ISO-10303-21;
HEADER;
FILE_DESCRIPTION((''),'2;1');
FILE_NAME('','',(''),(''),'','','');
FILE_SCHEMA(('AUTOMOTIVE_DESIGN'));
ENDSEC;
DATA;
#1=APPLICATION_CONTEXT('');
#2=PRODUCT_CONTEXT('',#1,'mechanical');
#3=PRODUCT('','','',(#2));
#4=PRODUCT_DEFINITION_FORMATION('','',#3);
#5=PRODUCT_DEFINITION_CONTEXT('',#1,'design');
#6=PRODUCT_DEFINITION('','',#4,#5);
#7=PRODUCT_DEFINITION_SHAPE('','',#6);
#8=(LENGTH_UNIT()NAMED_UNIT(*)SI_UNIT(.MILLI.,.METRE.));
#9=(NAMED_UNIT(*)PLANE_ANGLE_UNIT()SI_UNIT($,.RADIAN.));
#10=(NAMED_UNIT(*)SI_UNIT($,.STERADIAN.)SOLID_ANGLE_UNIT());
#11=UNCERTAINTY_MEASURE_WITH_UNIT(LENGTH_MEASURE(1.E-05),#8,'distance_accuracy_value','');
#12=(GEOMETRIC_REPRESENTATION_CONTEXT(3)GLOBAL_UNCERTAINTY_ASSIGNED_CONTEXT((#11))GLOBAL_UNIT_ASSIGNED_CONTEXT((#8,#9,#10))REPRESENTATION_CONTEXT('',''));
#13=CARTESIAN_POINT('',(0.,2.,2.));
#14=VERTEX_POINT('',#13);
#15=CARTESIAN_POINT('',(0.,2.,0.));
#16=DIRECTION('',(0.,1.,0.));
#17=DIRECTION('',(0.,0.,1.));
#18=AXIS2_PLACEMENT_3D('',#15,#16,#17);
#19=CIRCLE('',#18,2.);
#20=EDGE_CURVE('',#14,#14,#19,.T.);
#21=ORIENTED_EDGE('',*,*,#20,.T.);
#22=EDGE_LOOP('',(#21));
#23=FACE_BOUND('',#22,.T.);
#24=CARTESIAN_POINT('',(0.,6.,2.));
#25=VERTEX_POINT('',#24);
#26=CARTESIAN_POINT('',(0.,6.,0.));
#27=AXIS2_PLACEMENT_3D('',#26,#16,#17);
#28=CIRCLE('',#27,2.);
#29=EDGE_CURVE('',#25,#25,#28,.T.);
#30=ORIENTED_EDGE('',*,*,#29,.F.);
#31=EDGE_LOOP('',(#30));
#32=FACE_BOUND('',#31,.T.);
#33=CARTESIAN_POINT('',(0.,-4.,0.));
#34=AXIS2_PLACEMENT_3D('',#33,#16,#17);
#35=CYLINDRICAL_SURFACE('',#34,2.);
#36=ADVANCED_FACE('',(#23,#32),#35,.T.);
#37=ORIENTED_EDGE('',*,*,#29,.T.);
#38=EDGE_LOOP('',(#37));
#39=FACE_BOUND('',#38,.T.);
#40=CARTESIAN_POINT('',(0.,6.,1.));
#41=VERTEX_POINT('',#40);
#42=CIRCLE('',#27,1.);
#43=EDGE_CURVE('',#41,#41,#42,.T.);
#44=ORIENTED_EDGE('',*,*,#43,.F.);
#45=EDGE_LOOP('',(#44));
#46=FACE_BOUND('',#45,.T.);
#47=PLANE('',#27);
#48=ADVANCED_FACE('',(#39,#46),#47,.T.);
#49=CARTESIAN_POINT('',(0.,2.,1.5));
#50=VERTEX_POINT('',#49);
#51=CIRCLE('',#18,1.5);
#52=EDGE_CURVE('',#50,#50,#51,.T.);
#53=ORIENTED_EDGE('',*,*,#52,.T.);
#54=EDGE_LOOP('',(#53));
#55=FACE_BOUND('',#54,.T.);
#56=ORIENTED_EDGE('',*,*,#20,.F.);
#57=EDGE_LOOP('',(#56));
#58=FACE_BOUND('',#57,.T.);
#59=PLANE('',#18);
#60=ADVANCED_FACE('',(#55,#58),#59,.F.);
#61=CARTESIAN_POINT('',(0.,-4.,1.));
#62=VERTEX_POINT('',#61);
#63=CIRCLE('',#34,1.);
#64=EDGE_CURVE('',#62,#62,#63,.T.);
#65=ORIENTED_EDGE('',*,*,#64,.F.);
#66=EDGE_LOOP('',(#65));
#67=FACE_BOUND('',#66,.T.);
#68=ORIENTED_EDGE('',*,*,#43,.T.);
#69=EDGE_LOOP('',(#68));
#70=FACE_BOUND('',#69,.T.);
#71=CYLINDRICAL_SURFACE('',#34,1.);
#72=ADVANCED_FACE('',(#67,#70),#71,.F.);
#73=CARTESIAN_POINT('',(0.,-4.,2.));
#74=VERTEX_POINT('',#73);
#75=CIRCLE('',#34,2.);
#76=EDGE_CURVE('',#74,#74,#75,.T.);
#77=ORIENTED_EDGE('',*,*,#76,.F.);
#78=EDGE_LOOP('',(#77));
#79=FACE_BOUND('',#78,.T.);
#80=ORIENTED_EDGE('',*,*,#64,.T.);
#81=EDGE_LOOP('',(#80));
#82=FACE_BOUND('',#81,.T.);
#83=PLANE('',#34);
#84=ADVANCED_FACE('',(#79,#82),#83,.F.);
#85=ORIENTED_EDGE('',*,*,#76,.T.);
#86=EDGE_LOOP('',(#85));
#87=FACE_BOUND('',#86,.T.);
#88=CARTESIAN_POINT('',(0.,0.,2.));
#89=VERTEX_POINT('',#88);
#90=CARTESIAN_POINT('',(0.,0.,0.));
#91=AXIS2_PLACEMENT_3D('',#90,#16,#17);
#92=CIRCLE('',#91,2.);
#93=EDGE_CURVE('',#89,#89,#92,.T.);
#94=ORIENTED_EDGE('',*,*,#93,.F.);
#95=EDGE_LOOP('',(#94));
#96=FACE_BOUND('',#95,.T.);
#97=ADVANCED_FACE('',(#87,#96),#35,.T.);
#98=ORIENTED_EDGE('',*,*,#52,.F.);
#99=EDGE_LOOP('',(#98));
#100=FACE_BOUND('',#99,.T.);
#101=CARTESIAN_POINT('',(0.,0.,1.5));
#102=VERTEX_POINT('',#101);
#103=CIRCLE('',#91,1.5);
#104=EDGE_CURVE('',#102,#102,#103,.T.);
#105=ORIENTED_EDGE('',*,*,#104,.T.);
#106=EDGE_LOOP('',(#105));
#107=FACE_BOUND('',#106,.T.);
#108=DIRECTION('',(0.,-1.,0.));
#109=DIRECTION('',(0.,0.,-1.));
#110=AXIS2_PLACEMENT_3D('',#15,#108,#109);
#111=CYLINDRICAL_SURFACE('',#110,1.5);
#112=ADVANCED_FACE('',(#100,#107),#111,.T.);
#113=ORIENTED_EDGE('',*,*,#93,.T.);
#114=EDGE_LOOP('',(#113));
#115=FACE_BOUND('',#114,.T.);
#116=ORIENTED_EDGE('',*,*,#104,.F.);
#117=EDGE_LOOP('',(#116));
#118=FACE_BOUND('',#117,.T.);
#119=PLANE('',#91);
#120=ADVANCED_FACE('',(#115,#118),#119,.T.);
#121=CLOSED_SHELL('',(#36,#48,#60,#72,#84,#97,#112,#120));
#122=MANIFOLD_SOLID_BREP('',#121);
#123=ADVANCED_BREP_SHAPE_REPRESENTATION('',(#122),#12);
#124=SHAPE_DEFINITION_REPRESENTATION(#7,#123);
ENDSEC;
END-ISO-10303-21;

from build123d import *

# Parameters (mm, degrees)
SKETCH_1_R           = 2
SKETCH_1_R_2         = 1
EXTRUDE_1_DEPTH      = 6
EXTRUDE_1_DEPTH_BACK = 4
SKETCH_2_R           = 2
SKETCH_2_R_2         = 1.5
CUT_EXTRUDE_1_DEPTH  = 2


with BuildPart() as part:
    # 草图1 → 凸台-拉伸1 (new body, two sides)
    with BuildSketch(Plane(origin=(0, 0, 0), x_dir=(1, 0, 0), z_dir=(0, 1, 0))) as extrude_1_sk:
        Circle(SKETCH_1_R)
        Circle(SKETCH_1_R_2, mode=Mode.SUBTRACT)
    extrude(amount=EXTRUDE_1_DEPTH)
    extrude(extrude_1_sk.sketch, amount=-EXTRUDE_1_DEPTH_BACK)

    # 草图2 → 切除-拉伸1 (cut)
    with BuildSketch(Plane(origin=(0, 0, 0), x_dir=(1, 0, 0), z_dir=(0, 1, 0))):
        Circle(SKETCH_2_R)
        Circle(SKETCH_2_R_2, mode=Mode.SUBTRACT)
    extrude(amount=CUT_EXTRUDE_1_DEPTH, mode=Mode.SUBTRACT)


solid = part.part
